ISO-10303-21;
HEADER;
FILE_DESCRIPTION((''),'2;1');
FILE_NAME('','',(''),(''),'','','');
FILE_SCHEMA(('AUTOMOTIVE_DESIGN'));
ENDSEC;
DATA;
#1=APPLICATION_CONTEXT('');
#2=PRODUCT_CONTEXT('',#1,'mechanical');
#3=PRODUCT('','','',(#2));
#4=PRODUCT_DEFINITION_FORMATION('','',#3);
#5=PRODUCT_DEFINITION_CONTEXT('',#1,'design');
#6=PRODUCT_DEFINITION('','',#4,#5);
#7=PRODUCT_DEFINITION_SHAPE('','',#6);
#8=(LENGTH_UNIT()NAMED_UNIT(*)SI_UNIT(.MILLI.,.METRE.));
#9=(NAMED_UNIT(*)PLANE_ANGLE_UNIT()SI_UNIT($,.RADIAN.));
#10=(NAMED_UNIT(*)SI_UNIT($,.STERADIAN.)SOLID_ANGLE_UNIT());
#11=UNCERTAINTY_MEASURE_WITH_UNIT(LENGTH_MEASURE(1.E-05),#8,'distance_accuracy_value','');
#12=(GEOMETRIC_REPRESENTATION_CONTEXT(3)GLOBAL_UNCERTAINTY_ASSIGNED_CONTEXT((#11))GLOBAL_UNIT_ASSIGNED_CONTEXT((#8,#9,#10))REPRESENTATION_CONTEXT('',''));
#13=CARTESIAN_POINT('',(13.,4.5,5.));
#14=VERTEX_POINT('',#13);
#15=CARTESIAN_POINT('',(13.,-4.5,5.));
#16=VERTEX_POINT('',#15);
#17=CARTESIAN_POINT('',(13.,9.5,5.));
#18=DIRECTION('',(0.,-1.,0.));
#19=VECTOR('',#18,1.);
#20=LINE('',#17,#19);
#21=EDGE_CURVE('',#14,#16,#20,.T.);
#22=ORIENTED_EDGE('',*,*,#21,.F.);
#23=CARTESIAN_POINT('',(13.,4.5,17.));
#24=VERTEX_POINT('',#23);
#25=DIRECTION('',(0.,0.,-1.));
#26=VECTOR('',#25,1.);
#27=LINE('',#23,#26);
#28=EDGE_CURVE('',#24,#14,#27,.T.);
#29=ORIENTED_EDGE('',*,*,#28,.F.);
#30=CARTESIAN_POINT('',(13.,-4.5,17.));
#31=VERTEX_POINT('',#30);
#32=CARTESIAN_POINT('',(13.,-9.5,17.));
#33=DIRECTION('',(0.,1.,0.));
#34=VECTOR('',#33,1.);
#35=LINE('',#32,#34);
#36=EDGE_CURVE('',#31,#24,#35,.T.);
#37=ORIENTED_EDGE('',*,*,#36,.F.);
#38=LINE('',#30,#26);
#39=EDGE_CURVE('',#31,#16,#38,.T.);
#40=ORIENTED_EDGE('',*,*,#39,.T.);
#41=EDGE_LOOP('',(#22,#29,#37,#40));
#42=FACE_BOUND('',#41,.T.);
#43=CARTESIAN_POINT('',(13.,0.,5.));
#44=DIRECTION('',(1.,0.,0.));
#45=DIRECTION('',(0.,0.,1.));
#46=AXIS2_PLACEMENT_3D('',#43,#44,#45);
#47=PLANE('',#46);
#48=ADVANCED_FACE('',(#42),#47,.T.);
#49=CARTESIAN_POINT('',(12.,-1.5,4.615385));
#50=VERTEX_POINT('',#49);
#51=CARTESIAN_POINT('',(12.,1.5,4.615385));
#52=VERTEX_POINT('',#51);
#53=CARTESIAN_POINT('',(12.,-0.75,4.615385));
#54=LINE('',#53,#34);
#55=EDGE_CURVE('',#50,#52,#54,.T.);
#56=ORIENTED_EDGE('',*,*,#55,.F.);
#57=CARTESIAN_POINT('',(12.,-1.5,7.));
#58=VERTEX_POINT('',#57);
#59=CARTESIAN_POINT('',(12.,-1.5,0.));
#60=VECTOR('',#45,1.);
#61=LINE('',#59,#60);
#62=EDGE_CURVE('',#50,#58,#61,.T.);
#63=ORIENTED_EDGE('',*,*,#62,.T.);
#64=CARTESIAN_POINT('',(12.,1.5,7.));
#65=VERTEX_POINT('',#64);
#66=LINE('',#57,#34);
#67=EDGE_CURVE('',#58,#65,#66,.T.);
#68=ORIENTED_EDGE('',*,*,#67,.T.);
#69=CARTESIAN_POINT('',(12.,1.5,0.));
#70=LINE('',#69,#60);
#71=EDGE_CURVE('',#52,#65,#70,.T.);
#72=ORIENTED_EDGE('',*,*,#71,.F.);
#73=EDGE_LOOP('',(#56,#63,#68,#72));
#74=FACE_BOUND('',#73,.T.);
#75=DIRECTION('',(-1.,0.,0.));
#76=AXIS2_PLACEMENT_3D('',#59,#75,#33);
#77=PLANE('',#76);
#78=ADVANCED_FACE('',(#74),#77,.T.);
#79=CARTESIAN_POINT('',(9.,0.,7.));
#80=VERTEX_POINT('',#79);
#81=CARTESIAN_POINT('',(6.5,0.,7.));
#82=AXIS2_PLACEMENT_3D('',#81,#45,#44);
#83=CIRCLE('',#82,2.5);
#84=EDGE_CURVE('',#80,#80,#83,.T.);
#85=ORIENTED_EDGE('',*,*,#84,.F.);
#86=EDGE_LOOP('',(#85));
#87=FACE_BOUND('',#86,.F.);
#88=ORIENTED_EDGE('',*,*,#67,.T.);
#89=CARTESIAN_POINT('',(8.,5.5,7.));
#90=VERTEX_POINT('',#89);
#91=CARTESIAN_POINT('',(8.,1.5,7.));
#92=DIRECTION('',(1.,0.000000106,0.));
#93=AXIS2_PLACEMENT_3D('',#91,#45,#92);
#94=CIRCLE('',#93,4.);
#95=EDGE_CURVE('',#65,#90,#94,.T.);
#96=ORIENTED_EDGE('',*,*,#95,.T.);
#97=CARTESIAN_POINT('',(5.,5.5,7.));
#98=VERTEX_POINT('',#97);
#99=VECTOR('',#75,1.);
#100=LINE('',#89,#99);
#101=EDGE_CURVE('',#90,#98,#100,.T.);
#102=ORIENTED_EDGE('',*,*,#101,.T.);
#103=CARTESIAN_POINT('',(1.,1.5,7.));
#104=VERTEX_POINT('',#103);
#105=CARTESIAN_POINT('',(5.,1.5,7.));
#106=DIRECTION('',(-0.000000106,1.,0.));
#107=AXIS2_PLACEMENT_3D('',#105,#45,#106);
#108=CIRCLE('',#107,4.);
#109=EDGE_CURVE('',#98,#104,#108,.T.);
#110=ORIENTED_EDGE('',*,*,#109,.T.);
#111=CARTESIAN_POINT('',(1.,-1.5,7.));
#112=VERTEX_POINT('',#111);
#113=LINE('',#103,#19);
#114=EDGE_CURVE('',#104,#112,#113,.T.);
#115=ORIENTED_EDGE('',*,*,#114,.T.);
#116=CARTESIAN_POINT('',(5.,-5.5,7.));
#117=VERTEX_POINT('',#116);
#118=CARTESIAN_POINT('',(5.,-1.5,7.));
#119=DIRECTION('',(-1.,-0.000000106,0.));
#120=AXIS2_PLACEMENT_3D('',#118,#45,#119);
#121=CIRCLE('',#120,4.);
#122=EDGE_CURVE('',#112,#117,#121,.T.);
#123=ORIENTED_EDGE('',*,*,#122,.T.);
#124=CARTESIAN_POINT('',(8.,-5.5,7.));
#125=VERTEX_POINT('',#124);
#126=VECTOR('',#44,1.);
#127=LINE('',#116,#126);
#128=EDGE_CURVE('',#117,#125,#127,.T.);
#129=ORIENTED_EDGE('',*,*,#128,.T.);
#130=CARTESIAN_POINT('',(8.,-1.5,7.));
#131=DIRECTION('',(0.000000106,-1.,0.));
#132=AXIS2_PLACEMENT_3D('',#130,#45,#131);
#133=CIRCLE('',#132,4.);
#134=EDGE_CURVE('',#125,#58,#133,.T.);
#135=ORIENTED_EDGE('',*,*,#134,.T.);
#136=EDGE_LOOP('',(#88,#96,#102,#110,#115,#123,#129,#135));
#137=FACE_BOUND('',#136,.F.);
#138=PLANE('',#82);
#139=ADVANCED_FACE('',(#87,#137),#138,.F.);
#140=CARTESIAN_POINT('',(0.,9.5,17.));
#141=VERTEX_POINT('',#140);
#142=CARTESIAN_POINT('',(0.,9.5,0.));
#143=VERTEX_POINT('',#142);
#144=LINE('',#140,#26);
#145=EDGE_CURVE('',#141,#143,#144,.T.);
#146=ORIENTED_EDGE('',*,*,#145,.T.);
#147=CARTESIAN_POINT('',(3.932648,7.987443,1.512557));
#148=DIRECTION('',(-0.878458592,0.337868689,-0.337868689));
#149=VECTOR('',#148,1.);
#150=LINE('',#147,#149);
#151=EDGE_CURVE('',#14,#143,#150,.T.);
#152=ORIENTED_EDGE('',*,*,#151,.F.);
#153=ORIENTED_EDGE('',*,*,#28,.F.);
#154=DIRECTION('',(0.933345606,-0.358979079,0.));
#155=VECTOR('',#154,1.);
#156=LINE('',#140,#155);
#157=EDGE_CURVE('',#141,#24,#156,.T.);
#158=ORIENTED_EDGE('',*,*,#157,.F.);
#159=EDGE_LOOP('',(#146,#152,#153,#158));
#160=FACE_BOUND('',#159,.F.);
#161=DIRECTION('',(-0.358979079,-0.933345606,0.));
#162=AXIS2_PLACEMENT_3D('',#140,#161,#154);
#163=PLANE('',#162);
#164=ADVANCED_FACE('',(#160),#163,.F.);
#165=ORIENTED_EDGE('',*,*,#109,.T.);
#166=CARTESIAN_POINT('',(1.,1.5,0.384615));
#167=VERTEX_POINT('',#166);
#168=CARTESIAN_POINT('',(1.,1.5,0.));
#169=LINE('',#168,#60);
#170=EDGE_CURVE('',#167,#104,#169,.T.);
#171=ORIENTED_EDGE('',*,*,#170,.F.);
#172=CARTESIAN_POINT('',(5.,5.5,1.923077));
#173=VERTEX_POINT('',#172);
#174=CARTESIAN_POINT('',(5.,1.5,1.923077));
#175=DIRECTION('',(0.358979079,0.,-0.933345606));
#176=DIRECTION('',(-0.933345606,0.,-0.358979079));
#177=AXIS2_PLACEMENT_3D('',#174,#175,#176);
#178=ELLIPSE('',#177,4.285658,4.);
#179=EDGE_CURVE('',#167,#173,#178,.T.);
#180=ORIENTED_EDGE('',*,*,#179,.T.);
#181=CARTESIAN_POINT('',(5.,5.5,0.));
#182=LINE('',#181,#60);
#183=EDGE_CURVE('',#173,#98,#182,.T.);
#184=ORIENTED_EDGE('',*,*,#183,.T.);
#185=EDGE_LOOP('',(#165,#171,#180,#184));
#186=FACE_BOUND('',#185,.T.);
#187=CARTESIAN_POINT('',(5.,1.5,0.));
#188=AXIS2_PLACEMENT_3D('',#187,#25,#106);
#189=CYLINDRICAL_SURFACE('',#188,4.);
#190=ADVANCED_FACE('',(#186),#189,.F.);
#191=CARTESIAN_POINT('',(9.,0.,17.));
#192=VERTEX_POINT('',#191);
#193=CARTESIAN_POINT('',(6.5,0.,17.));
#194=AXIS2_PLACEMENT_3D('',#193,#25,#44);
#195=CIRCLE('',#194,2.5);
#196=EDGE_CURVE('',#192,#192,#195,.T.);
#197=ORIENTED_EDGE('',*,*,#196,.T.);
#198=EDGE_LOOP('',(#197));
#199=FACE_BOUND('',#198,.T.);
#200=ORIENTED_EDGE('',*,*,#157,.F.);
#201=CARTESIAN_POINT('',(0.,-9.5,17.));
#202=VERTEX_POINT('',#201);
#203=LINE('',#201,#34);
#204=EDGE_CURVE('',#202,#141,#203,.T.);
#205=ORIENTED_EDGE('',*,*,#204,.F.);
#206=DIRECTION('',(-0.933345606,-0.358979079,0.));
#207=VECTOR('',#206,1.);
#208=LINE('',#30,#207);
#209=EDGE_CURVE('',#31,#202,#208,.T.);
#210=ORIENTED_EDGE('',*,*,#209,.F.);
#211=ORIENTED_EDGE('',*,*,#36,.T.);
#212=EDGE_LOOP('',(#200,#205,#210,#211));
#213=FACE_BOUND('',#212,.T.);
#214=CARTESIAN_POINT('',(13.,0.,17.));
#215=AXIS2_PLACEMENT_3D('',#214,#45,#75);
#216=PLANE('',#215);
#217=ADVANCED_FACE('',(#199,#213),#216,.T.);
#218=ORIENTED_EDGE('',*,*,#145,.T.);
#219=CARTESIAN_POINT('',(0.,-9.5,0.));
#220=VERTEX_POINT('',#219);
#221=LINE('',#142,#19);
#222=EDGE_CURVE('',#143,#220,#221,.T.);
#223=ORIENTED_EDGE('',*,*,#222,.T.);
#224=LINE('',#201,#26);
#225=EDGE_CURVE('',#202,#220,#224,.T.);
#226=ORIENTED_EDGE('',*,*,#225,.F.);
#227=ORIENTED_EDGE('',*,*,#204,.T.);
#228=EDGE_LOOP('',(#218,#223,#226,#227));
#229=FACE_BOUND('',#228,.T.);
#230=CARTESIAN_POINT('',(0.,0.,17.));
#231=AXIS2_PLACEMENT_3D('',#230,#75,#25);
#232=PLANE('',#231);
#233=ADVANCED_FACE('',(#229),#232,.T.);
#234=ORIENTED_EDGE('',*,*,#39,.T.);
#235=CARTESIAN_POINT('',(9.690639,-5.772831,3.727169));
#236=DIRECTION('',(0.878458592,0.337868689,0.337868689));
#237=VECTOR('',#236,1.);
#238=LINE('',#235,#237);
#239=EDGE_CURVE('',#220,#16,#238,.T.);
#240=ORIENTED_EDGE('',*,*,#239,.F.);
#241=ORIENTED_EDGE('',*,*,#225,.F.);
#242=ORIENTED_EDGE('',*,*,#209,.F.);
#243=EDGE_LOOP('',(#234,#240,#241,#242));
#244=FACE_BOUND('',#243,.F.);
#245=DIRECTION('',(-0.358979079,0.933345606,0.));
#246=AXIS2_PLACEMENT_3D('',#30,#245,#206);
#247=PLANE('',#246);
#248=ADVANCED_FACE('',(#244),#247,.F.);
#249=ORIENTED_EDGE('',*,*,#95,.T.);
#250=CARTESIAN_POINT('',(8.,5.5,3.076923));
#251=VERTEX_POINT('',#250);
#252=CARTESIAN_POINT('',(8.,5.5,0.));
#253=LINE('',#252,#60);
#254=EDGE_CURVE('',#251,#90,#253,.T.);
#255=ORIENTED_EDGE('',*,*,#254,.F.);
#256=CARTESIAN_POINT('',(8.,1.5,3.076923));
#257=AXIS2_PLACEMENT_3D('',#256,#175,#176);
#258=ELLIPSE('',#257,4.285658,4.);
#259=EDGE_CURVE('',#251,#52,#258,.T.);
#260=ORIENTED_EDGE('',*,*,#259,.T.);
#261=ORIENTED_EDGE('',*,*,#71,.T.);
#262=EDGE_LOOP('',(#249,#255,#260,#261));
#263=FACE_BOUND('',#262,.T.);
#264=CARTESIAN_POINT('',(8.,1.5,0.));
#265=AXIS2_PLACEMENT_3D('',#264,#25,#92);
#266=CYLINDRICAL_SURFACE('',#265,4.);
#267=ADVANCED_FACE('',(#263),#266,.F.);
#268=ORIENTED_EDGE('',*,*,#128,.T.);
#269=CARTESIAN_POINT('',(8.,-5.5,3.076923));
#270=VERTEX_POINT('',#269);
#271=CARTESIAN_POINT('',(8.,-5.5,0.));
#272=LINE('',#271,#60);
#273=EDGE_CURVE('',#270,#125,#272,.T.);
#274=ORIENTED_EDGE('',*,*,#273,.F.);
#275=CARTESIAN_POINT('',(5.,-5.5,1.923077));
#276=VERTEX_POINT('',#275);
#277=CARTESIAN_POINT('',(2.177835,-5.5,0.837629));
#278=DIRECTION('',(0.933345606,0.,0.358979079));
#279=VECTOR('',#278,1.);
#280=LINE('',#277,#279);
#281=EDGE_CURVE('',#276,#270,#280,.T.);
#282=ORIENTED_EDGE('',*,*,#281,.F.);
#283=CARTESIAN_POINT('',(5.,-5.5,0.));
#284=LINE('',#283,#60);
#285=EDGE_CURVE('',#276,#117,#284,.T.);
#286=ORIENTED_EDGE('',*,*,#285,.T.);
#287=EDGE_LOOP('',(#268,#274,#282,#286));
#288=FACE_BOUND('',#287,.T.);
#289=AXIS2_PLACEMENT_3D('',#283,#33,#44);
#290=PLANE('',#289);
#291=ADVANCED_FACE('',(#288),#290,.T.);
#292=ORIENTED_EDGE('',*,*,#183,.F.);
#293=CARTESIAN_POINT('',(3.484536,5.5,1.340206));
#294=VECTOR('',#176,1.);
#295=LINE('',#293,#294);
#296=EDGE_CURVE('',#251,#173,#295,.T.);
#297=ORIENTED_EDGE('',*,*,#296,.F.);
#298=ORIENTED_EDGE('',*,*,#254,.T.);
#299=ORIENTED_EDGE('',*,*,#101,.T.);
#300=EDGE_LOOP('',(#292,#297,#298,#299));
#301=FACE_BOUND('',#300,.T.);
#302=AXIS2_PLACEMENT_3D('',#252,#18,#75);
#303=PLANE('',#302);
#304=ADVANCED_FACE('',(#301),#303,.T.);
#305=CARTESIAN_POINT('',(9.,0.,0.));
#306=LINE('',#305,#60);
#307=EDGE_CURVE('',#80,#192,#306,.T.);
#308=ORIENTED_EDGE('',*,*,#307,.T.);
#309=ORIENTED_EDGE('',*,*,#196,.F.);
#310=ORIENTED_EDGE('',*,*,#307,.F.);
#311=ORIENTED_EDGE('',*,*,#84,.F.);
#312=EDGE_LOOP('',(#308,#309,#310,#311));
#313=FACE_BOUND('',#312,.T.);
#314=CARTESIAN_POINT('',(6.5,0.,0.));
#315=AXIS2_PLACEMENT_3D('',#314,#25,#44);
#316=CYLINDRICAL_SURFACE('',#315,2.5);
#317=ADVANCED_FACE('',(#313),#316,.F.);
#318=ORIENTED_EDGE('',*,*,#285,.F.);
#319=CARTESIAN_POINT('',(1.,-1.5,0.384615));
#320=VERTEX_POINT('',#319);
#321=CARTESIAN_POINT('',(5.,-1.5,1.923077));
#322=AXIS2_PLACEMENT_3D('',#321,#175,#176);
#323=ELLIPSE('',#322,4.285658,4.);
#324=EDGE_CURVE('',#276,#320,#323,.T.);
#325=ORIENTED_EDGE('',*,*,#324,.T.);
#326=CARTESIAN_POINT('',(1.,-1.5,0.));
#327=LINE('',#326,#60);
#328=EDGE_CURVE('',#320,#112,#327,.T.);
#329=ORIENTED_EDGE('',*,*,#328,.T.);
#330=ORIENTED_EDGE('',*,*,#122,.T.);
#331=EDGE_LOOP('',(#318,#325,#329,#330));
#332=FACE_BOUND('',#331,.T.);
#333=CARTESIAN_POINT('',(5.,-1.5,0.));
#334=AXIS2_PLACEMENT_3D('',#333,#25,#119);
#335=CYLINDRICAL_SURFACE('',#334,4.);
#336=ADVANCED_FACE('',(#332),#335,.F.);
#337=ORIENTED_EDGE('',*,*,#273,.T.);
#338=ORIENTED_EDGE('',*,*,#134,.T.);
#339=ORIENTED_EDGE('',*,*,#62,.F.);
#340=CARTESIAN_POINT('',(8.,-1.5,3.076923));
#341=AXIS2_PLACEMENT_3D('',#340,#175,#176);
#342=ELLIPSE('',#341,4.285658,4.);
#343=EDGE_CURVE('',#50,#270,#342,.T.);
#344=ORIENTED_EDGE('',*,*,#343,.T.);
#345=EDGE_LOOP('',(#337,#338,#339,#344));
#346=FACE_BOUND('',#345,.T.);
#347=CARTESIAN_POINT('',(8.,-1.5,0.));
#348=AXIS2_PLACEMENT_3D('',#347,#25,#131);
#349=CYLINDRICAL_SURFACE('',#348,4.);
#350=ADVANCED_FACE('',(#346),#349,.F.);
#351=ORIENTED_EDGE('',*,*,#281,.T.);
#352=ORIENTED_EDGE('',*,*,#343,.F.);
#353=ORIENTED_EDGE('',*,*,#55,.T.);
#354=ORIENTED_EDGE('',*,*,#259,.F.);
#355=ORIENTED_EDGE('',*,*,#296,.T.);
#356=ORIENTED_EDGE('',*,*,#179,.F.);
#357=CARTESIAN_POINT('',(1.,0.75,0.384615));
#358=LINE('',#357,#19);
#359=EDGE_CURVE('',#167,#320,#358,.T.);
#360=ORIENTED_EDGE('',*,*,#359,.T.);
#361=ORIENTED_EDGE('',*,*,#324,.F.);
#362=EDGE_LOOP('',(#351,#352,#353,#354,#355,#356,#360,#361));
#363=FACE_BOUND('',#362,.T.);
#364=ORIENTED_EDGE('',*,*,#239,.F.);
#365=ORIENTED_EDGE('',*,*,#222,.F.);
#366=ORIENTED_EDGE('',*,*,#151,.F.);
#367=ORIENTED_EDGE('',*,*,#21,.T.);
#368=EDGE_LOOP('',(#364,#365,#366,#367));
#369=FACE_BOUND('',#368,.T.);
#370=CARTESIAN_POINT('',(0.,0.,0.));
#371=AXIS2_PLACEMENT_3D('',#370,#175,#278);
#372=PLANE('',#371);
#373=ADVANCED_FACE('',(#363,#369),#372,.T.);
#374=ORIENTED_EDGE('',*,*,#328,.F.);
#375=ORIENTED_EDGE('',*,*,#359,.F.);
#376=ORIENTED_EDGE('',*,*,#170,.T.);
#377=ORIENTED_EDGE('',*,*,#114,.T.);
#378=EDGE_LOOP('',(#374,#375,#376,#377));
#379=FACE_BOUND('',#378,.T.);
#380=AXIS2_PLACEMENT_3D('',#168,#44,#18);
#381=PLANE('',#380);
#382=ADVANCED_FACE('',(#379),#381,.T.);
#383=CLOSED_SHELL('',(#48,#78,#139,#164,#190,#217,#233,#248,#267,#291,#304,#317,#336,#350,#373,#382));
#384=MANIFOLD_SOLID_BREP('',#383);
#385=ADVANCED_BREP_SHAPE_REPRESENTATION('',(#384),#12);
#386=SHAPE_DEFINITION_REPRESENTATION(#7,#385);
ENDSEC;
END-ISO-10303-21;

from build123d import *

# Parameters (mm, degrees)
F1_DEPTH = 9.5
F3_DEPTH = 25
F4_R     = 2.5
F5_DEPTH = 7
F6_DEPTH = 25


with BuildPart() as f1:
    # F0 (on Front) → F1 (new body, symmetric)
    with BuildSketch(Plane.XZ):
        Polygon((0, 17), (0, 0), (13, 5), (13, 17), align=None)
    extrude(amount=F1_DEPTH, both=True)

    # F2 (on face) → F3 (cut)
    with BuildSketch(Plane.XY.offset(17)):
        Polygon((13, 9.5), (0, 9.5), (13, 4.5), align=None)
        Polygon((13, -9.5), (13, -4.5), (0, -9.5), align=None)
    extrude(amount=-F3_DEPTH, mode=Mode.SUBTRACT)

    # F4 (on Top) → F5 (cut)
    with BuildSketch(Plane.XY):
        with BuildLine():
            ThreePointArc((12, 1.5), (10.828427, 4.328427), (8, 5.5))
            Line((8, 5.5), (5, 5.5))
            ThreePointArc((5, 5.5), (2.171573, 4.328427), (1, 1.5))
            Line((1, 1.5), (1, -1.5))
            ThreePointArc((1, -1.5), (2.171573, -4.328427), (5, -5.5))
            Line((5, -5.5), (8, -5.5))
            ThreePointArc((8, -5.5), (10.828427, -4.328427), (12, -1.5))
            Line((12, -1.5), (12, 1.5))
        make_face()
        with Locations((6.5, 0)):
            Circle(F4_R, mode=Mode.SUBTRACT)
    extrude(amount=F5_DEPTH, mode=Mode.SUBTRACT)

    # F4 (on Top) → F6 (cut)
    with BuildSketch(Plane.XY):
        with Locations((6.5, 0)):
            Circle(F4_R)
    extrude(amount=F6_DEPTH, mode=Mode.SUBTRACT)


solid = f1.part
